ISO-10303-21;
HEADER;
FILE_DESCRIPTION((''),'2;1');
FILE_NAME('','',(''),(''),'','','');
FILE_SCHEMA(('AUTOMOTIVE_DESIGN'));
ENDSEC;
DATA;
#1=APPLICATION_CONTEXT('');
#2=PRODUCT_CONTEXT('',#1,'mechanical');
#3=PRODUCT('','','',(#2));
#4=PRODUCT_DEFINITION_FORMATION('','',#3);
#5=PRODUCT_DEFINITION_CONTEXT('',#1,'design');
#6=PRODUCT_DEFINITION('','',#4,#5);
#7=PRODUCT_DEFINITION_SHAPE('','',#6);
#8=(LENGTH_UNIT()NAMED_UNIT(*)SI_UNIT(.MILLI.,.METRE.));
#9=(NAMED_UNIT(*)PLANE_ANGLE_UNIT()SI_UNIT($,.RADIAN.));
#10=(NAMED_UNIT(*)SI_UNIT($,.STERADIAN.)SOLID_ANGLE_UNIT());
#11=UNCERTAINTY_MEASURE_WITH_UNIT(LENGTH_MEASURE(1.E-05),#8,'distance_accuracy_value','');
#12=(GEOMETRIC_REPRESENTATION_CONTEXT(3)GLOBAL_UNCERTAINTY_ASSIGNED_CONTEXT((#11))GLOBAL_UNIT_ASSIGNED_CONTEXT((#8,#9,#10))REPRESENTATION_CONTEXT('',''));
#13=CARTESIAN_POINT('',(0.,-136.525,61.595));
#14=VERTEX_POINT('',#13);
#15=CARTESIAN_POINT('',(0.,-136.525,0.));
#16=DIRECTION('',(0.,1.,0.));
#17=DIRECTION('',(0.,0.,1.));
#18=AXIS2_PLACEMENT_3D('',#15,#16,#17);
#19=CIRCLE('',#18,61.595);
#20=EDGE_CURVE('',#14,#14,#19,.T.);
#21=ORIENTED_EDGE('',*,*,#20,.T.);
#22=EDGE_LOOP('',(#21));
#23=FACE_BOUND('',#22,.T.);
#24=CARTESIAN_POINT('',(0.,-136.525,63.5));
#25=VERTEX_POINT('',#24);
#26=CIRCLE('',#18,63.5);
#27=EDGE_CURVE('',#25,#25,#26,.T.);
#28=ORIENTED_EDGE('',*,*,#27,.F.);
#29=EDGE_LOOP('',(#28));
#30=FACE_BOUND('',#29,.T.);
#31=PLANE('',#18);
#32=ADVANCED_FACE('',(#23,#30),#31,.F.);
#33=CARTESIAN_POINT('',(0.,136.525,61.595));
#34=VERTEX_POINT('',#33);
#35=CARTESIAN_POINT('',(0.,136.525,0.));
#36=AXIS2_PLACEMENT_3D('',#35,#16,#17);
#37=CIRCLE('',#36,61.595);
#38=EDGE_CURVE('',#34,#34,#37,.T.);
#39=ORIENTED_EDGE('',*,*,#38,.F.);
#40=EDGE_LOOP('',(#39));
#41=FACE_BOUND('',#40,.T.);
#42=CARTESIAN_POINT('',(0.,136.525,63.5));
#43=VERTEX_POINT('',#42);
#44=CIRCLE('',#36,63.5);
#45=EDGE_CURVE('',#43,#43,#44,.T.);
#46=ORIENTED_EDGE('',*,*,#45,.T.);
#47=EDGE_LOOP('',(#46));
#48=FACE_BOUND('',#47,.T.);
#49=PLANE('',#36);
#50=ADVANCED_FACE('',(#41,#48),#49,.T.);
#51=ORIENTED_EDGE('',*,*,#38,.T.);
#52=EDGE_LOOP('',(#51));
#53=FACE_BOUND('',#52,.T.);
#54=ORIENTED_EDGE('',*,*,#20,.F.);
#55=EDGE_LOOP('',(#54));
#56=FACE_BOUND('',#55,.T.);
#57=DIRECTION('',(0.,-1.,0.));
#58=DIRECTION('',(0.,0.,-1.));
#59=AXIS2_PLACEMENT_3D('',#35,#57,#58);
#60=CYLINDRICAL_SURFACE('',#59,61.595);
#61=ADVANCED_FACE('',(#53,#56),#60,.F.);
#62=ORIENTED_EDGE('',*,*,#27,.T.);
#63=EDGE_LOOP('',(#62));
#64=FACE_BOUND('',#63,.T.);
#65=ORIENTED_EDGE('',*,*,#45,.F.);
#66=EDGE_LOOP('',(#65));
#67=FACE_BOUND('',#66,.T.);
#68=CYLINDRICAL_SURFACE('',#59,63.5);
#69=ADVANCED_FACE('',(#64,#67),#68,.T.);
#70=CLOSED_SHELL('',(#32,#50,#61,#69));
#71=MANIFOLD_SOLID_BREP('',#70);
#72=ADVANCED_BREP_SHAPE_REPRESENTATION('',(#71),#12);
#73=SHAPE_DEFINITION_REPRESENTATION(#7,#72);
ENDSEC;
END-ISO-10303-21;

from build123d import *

# Parameters (mm, degrees)
SKETCH1_R           = 63.5
SKETCH1_R_2         = 61.595
BOSS_EXTRUDE1_DEPTH = 136.525


with BuildPart() as part:
    # Sketch1 → Boss-Extrude1 (new body, symmetric)
    with BuildSketch(Plane(origin=(0, 0, 0), x_dir=(1, 0, 0), z_dir=(0, 1, 0))):
        Circle(SKETCH1_R)
        Circle(SKETCH1_R_2, mode=Mode.SUBTRACT)
    extrude(amount=BOSS_EXTRUDE1_DEPTH, both=True)


solid = part.part
